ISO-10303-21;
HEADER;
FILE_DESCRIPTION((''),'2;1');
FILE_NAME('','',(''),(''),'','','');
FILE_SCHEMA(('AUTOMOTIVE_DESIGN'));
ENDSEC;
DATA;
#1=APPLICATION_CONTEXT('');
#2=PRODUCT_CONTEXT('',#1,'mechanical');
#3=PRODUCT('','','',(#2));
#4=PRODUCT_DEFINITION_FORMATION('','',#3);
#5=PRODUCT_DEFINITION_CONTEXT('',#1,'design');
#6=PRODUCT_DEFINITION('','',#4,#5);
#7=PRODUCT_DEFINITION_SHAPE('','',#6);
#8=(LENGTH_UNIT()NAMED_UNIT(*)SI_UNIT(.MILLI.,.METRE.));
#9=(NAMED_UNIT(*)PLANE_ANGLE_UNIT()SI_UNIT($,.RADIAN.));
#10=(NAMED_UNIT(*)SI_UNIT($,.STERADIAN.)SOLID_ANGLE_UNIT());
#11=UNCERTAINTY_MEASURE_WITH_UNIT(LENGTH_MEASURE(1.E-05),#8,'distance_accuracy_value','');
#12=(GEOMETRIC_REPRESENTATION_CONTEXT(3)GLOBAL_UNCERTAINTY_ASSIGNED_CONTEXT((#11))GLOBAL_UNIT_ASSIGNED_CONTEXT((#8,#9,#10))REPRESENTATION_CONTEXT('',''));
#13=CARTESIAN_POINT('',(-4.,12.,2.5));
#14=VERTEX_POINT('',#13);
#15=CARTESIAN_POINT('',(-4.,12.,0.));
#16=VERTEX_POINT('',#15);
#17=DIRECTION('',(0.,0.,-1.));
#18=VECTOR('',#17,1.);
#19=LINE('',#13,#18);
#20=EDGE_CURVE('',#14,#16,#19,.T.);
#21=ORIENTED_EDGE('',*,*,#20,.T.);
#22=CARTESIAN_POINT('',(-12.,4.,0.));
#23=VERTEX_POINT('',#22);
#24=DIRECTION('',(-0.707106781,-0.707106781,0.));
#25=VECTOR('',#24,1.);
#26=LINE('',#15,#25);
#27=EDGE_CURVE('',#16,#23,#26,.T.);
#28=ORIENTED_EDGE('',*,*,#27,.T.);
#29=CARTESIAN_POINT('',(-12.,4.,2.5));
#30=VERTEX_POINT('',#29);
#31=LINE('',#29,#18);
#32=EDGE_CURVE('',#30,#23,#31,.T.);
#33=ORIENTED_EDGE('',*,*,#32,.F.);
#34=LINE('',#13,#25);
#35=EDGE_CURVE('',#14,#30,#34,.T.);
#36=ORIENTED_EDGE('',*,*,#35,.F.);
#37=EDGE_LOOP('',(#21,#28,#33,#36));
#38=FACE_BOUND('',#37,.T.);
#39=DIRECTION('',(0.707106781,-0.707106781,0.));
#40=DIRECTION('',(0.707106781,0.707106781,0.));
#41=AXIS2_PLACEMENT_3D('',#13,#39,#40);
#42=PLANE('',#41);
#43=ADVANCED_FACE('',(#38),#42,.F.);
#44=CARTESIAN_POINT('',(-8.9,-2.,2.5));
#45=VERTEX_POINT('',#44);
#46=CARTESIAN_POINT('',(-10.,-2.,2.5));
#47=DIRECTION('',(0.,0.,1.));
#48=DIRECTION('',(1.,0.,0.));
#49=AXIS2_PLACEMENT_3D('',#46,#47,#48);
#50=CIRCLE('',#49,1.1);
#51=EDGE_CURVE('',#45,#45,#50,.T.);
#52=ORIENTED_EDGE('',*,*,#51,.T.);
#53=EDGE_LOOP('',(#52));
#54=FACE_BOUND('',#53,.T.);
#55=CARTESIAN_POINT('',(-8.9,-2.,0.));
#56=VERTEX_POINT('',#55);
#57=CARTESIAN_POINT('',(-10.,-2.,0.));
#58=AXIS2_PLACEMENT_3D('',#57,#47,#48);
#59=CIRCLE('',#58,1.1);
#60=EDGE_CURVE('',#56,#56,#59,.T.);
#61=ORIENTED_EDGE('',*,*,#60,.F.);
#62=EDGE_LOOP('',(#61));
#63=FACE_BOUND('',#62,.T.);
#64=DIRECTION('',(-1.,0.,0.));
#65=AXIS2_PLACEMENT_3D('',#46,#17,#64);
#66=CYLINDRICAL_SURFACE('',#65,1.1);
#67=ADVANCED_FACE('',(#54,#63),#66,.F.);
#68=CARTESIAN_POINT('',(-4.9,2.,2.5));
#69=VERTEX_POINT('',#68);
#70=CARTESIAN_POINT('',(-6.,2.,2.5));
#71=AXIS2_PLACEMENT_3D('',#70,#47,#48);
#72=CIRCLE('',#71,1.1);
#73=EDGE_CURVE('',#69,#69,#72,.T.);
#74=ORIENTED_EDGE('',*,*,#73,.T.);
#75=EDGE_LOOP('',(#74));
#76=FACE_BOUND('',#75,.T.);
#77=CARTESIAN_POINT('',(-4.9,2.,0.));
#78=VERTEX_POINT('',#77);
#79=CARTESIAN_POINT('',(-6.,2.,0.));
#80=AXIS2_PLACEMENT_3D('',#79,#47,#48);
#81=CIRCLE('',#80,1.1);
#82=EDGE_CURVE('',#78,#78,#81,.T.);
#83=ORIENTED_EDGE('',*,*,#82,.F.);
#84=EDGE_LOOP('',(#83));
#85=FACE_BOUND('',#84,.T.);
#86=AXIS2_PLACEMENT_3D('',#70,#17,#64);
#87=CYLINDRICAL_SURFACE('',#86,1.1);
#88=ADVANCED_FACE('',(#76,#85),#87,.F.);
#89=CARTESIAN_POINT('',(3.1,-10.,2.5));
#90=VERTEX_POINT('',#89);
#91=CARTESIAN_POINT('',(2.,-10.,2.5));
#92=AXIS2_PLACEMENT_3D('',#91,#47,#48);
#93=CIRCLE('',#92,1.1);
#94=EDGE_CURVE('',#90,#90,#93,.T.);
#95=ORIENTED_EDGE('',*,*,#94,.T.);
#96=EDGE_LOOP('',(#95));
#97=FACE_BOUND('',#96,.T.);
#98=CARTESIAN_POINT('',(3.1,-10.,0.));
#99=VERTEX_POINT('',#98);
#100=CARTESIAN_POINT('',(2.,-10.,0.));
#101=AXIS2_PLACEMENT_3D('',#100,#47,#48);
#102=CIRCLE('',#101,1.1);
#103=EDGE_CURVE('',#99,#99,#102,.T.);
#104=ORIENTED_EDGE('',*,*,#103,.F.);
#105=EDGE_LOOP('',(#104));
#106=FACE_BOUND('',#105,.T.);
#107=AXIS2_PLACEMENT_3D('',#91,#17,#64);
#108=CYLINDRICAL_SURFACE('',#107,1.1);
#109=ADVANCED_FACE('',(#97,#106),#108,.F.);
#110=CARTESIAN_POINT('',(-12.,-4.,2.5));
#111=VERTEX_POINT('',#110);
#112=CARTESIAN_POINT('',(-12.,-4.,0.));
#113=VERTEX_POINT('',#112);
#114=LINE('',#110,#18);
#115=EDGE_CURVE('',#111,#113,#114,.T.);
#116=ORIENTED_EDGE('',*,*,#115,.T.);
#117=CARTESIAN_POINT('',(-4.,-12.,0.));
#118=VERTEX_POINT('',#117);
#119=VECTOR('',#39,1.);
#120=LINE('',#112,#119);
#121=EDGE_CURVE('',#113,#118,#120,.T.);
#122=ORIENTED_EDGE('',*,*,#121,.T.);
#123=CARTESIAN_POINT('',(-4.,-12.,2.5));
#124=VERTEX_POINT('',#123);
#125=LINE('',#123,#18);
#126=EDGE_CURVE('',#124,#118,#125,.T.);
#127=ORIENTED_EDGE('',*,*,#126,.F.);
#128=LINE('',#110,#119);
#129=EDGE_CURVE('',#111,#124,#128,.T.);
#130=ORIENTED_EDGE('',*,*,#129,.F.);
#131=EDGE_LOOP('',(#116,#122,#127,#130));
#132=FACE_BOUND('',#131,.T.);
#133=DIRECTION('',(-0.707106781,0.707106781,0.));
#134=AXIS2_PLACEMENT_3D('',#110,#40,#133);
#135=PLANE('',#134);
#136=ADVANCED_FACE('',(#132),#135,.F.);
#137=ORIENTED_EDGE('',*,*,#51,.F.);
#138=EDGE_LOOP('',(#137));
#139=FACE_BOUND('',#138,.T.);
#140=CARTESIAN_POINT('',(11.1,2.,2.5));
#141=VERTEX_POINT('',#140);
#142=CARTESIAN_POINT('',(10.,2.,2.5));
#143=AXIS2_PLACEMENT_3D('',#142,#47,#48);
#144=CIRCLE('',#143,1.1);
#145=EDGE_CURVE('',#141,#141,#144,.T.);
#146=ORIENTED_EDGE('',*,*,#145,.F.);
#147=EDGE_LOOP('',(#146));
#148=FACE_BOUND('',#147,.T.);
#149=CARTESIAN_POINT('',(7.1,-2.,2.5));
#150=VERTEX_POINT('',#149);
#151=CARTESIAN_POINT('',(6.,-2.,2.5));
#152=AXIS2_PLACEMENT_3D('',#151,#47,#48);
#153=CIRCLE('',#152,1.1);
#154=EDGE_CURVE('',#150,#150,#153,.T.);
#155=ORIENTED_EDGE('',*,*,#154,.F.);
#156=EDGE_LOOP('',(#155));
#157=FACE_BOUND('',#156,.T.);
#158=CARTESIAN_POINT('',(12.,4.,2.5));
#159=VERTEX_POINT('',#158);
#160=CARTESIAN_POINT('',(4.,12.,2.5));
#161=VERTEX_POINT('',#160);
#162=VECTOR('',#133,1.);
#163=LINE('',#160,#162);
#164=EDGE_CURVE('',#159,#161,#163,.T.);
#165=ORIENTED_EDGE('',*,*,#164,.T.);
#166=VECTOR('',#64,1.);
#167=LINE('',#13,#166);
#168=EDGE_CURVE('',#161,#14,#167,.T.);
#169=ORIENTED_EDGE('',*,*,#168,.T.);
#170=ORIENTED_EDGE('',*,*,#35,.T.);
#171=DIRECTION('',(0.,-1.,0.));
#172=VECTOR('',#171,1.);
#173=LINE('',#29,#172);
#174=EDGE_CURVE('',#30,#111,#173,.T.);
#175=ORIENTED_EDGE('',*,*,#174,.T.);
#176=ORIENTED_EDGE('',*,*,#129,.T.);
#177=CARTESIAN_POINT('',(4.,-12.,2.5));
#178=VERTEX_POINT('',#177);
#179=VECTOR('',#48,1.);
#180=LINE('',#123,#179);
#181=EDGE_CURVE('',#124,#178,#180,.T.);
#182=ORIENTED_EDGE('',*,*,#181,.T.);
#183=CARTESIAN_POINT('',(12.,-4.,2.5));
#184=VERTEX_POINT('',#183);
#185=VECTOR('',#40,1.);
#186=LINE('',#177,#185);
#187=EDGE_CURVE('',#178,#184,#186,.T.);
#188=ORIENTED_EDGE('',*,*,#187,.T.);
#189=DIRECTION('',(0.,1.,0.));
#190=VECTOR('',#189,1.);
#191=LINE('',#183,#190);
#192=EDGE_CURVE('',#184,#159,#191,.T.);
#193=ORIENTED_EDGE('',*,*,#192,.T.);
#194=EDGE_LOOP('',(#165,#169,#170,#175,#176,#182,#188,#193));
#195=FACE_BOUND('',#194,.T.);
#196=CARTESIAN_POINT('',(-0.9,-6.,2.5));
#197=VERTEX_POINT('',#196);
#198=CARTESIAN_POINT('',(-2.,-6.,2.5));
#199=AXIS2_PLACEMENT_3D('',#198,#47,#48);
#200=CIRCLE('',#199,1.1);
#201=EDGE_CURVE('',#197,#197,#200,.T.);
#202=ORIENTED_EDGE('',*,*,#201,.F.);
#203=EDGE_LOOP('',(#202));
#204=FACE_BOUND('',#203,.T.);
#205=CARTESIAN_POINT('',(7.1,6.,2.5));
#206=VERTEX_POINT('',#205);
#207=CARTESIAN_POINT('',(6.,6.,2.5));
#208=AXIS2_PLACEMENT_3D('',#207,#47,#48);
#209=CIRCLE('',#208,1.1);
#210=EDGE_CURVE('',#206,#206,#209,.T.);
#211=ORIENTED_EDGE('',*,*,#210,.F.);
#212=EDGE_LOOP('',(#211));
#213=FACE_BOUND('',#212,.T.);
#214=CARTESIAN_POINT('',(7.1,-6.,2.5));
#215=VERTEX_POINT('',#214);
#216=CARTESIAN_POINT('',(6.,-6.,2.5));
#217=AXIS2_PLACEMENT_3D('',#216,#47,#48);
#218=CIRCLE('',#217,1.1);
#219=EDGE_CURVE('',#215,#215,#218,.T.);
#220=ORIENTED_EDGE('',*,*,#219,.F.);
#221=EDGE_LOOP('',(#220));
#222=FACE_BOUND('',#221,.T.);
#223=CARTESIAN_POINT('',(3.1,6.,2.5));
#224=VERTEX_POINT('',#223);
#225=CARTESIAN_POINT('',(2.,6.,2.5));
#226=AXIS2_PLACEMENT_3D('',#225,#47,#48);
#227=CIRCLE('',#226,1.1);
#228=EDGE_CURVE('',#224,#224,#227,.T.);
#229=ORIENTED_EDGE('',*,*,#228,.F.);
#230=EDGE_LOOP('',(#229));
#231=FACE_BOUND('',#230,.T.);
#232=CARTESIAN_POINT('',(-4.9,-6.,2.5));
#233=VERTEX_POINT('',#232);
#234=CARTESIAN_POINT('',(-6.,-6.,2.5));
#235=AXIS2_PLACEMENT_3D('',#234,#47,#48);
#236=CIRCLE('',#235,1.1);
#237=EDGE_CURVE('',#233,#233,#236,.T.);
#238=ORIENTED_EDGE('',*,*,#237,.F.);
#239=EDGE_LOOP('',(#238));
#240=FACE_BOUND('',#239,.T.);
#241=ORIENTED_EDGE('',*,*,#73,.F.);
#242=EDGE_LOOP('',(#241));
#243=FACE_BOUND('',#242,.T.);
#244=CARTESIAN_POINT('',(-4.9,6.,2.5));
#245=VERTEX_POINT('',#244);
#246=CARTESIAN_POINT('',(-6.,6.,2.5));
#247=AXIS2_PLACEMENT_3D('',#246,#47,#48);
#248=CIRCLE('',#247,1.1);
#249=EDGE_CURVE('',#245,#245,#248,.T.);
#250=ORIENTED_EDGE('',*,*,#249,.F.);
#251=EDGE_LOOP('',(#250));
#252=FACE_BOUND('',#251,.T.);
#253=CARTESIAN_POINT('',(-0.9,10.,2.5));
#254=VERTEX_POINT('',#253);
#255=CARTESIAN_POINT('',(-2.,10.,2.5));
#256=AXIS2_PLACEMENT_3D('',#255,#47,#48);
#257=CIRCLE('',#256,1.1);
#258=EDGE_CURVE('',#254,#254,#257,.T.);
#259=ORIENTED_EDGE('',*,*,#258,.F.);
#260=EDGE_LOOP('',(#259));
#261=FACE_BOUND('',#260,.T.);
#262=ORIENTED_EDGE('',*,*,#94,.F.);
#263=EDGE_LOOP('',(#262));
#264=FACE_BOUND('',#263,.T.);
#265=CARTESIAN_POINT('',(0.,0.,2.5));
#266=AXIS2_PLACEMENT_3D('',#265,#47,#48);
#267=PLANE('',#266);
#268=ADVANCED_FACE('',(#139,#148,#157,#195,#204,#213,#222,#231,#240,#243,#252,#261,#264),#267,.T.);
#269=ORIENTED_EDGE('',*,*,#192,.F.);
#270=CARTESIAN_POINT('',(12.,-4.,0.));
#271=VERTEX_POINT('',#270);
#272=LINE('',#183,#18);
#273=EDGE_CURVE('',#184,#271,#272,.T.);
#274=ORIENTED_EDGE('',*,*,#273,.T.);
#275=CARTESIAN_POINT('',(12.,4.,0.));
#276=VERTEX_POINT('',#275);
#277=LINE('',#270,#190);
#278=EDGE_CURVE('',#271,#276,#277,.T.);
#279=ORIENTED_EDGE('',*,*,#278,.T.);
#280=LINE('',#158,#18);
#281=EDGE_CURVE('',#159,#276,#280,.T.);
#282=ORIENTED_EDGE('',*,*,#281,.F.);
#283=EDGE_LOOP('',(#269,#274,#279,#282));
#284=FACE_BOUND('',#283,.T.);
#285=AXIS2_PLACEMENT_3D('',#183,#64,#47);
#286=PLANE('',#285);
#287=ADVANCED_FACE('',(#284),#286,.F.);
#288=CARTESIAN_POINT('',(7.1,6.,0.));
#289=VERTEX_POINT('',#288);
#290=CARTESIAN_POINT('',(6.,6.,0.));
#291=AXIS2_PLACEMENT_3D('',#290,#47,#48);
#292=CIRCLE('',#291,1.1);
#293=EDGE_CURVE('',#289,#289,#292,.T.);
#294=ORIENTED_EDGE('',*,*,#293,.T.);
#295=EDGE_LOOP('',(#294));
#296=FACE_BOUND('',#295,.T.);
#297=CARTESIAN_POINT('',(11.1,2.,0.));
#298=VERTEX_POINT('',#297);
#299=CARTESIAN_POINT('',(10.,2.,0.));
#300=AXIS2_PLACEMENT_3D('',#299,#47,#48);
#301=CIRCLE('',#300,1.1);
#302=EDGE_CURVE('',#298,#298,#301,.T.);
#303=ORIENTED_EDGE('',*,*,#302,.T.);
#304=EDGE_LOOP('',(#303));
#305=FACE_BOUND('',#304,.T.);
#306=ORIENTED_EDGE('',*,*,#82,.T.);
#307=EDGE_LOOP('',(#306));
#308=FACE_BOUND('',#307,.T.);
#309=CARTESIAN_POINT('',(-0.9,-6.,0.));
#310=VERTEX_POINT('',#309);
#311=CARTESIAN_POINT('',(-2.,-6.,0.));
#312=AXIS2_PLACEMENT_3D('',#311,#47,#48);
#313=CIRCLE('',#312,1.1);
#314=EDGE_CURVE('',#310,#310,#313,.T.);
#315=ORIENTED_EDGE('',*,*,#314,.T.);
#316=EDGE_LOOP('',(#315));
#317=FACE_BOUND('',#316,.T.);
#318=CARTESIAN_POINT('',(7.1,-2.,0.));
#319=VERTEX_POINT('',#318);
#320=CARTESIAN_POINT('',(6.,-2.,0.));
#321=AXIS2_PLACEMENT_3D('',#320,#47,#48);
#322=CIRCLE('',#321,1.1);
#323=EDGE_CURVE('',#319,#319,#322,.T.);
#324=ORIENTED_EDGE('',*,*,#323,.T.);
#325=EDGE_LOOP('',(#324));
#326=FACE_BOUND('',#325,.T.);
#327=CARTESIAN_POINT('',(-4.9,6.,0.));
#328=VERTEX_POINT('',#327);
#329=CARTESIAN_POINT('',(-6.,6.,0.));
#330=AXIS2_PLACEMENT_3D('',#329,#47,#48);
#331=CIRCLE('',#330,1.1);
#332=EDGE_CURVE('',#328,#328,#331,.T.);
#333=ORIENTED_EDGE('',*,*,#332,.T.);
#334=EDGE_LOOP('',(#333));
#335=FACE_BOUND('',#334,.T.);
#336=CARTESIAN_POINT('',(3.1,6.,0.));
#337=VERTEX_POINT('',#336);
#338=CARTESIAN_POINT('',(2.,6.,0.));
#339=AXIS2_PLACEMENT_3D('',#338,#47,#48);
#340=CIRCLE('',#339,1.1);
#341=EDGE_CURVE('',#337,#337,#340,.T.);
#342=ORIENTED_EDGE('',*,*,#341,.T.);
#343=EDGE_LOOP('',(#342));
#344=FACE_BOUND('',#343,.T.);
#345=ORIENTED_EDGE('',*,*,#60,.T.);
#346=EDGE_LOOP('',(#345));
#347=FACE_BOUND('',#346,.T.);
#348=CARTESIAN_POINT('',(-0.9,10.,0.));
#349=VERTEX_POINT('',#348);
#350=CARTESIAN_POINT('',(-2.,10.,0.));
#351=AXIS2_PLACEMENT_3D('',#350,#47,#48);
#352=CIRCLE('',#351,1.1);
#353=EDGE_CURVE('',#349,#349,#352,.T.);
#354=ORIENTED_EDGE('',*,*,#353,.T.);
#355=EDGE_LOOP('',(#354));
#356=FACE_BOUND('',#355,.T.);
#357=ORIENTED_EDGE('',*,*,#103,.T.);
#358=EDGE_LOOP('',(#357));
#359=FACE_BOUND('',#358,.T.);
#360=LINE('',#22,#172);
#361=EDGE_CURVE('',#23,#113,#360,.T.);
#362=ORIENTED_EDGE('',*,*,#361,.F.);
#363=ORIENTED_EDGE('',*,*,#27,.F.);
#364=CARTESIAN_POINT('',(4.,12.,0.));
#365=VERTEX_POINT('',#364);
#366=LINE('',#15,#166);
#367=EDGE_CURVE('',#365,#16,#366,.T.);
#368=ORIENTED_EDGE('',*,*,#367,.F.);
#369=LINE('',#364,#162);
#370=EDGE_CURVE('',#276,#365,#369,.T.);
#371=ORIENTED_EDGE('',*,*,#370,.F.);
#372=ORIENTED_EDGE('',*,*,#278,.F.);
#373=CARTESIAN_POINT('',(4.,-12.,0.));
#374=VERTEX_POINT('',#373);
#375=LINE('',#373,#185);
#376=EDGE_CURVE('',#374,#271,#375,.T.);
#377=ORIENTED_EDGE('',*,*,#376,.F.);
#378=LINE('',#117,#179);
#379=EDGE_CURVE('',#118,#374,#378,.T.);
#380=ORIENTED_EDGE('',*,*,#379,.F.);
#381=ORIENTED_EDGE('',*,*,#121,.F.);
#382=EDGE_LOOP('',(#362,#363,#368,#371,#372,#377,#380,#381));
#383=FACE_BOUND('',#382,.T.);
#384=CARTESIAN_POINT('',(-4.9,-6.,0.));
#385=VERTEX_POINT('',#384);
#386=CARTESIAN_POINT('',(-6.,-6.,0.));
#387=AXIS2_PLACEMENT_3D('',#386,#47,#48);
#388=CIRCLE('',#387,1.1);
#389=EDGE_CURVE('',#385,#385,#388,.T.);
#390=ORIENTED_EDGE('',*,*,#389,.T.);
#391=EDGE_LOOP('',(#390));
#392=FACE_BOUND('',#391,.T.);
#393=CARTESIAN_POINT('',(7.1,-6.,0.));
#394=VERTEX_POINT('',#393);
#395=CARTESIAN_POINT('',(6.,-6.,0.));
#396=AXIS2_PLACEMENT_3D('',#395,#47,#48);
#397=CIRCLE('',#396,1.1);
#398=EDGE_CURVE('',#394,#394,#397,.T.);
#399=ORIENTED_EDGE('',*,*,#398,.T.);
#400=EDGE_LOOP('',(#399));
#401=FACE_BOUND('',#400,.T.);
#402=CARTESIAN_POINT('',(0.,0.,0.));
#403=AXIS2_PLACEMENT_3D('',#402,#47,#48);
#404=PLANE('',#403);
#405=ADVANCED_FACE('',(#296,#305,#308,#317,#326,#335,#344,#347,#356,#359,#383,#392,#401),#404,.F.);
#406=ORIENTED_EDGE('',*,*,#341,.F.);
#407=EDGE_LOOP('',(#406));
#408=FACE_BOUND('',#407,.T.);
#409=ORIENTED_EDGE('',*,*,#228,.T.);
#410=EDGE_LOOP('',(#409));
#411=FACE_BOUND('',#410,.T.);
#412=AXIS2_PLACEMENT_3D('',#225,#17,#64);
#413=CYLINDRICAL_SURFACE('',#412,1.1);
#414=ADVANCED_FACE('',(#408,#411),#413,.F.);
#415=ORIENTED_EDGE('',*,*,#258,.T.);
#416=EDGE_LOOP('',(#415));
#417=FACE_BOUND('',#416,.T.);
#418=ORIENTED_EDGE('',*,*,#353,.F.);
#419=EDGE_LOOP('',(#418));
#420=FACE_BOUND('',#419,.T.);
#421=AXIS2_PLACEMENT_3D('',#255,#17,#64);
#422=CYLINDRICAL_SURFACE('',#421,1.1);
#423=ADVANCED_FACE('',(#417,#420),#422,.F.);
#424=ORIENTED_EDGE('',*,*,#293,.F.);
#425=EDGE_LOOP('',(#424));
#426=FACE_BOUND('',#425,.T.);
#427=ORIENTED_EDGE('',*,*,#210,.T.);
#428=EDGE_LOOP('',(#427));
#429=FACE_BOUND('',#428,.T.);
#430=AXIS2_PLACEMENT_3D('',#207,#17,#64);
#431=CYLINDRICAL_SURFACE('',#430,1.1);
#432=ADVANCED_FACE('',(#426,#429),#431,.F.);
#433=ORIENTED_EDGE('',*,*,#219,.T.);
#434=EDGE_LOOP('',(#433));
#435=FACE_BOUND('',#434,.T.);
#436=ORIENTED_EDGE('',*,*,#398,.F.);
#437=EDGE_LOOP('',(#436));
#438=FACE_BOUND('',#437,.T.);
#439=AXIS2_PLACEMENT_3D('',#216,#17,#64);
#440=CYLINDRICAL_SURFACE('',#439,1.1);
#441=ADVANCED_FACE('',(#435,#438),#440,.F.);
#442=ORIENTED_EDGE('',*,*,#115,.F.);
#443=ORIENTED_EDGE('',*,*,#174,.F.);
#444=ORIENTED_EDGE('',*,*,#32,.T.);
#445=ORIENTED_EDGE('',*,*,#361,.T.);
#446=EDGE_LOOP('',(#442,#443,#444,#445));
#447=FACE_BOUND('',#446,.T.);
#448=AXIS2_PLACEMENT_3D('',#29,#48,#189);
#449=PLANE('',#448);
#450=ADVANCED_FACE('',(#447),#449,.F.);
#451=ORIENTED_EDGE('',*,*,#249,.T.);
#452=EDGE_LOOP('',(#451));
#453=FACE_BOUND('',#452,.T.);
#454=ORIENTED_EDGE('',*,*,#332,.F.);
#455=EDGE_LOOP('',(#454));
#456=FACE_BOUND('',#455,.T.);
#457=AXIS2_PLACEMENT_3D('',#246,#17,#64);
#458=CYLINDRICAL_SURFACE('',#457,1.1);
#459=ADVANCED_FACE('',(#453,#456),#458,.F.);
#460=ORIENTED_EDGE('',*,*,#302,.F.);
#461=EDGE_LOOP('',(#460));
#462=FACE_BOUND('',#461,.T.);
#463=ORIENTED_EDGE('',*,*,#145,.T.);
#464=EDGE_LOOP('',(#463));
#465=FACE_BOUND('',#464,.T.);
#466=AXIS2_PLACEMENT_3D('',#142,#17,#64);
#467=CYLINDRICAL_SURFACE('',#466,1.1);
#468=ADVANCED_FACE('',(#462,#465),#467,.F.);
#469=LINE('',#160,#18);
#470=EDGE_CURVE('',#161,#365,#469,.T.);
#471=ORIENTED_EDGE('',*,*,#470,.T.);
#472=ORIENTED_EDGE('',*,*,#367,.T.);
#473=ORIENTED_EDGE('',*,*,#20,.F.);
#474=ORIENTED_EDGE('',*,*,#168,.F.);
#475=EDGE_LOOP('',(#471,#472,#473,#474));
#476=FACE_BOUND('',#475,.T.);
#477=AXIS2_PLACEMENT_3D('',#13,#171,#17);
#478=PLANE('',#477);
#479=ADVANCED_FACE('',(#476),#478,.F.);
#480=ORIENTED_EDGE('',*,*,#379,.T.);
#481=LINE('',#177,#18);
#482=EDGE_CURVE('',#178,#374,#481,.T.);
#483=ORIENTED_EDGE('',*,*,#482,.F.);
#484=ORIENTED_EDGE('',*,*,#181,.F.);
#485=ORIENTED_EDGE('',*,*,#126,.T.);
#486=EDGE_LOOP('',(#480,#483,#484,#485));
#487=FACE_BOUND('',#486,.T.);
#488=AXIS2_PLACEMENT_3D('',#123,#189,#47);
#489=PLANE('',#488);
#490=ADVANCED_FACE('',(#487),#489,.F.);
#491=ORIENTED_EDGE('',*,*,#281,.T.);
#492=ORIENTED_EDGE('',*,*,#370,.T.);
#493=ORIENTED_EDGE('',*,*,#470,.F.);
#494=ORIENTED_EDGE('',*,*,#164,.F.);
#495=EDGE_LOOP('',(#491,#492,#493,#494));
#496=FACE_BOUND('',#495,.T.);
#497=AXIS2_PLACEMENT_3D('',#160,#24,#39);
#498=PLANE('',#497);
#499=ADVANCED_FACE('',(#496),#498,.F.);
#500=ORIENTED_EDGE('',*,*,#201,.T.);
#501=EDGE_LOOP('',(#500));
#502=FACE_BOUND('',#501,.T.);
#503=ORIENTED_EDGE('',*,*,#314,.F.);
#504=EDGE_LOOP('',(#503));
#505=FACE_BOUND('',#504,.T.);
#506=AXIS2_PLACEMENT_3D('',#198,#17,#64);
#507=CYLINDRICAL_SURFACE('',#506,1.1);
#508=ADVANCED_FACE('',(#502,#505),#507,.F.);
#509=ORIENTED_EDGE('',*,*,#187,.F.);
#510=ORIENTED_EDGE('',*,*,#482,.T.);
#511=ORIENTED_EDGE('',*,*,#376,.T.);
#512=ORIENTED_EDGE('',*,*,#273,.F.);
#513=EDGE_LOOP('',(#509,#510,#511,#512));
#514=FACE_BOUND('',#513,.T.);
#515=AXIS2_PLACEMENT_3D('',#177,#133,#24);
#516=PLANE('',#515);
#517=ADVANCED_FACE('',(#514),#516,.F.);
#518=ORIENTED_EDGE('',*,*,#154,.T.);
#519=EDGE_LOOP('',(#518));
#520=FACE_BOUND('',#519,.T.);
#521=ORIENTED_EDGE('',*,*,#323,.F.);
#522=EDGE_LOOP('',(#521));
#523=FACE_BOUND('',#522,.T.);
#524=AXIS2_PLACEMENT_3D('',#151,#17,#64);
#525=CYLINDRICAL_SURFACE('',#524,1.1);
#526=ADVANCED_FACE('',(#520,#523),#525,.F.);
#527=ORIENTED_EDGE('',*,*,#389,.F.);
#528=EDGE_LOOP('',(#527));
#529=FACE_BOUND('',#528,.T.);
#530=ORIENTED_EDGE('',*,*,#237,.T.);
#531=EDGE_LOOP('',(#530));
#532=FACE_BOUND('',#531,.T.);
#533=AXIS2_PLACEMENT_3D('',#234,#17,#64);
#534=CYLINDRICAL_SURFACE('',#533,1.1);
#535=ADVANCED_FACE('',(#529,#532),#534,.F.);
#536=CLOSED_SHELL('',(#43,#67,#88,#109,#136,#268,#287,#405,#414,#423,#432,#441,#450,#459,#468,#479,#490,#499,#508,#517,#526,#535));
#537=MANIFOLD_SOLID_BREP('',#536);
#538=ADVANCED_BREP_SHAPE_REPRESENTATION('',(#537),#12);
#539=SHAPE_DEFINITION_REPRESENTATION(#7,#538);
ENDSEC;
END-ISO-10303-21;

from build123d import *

# Parameters (mm, degrees)
SKIZZE1_R                       = 1.1
AUFSATZ_LINEAR_AUSTRAGEN1_DEPTH = 2.5


with BuildPart() as part:
    # Skizze1 → Aufsatz-Linear austragen1 (new body)
    with BuildSketch(Plane.XY):
        Polygon((-4, 12), (4, 12), (12, 4), (12, -4), (4, -12), (-4, -12), (-12, -4), (-12, 4), align=None)
        with Locations((-2, 10)):
            Circle(SKIZZE1_R, mode=Mode.SUBTRACT)
        with Locations((2, 6)):
            Circle(SKIZZE1_R, mode=Mode.SUBTRACT)
        with Locations((10, 2)):
            Circle(SKIZZE1_R, mode=Mode.SUBTRACT)
        with Locations((6, -2)):
            Circle(SKIZZE1_R, mode=Mode.SUBTRACT)
        with Locations((2, -10)):
            Circle(SKIZZE1_R, mode=Mode.SUBTRACT)
        with Locations((-2, -6)):
            Circle(SKIZZE1_R, mode=Mode.SUBTRACT)
        with Locations((-6, 2)):
            Circle(SKIZZE1_R, mode=Mode.SUBTRACT)
        with Locations((-10, -2)):
            Circle(SKIZZE1_R, mode=Mode.SUBTRACT)
        with Locations((-6, 6)):
            Circle(SKIZZE1_R, mode=Mode.SUBTRACT)
        with Locations((6, 6)):
            Circle(SKIZZE1_R, mode=Mode.SUBTRACT)
        with Locations((6, -6)):
            Circle(SKIZZE1_R, mode=Mode.SUBTRACT)
        with Locations((-6, -6)):
            Circle(SKIZZE1_R, mode=Mode.SUBTRACT)
    extrude(amount=AUFSATZ_LINEAR_AUSTRAGEN1_DEPTH)


solid = part.part
